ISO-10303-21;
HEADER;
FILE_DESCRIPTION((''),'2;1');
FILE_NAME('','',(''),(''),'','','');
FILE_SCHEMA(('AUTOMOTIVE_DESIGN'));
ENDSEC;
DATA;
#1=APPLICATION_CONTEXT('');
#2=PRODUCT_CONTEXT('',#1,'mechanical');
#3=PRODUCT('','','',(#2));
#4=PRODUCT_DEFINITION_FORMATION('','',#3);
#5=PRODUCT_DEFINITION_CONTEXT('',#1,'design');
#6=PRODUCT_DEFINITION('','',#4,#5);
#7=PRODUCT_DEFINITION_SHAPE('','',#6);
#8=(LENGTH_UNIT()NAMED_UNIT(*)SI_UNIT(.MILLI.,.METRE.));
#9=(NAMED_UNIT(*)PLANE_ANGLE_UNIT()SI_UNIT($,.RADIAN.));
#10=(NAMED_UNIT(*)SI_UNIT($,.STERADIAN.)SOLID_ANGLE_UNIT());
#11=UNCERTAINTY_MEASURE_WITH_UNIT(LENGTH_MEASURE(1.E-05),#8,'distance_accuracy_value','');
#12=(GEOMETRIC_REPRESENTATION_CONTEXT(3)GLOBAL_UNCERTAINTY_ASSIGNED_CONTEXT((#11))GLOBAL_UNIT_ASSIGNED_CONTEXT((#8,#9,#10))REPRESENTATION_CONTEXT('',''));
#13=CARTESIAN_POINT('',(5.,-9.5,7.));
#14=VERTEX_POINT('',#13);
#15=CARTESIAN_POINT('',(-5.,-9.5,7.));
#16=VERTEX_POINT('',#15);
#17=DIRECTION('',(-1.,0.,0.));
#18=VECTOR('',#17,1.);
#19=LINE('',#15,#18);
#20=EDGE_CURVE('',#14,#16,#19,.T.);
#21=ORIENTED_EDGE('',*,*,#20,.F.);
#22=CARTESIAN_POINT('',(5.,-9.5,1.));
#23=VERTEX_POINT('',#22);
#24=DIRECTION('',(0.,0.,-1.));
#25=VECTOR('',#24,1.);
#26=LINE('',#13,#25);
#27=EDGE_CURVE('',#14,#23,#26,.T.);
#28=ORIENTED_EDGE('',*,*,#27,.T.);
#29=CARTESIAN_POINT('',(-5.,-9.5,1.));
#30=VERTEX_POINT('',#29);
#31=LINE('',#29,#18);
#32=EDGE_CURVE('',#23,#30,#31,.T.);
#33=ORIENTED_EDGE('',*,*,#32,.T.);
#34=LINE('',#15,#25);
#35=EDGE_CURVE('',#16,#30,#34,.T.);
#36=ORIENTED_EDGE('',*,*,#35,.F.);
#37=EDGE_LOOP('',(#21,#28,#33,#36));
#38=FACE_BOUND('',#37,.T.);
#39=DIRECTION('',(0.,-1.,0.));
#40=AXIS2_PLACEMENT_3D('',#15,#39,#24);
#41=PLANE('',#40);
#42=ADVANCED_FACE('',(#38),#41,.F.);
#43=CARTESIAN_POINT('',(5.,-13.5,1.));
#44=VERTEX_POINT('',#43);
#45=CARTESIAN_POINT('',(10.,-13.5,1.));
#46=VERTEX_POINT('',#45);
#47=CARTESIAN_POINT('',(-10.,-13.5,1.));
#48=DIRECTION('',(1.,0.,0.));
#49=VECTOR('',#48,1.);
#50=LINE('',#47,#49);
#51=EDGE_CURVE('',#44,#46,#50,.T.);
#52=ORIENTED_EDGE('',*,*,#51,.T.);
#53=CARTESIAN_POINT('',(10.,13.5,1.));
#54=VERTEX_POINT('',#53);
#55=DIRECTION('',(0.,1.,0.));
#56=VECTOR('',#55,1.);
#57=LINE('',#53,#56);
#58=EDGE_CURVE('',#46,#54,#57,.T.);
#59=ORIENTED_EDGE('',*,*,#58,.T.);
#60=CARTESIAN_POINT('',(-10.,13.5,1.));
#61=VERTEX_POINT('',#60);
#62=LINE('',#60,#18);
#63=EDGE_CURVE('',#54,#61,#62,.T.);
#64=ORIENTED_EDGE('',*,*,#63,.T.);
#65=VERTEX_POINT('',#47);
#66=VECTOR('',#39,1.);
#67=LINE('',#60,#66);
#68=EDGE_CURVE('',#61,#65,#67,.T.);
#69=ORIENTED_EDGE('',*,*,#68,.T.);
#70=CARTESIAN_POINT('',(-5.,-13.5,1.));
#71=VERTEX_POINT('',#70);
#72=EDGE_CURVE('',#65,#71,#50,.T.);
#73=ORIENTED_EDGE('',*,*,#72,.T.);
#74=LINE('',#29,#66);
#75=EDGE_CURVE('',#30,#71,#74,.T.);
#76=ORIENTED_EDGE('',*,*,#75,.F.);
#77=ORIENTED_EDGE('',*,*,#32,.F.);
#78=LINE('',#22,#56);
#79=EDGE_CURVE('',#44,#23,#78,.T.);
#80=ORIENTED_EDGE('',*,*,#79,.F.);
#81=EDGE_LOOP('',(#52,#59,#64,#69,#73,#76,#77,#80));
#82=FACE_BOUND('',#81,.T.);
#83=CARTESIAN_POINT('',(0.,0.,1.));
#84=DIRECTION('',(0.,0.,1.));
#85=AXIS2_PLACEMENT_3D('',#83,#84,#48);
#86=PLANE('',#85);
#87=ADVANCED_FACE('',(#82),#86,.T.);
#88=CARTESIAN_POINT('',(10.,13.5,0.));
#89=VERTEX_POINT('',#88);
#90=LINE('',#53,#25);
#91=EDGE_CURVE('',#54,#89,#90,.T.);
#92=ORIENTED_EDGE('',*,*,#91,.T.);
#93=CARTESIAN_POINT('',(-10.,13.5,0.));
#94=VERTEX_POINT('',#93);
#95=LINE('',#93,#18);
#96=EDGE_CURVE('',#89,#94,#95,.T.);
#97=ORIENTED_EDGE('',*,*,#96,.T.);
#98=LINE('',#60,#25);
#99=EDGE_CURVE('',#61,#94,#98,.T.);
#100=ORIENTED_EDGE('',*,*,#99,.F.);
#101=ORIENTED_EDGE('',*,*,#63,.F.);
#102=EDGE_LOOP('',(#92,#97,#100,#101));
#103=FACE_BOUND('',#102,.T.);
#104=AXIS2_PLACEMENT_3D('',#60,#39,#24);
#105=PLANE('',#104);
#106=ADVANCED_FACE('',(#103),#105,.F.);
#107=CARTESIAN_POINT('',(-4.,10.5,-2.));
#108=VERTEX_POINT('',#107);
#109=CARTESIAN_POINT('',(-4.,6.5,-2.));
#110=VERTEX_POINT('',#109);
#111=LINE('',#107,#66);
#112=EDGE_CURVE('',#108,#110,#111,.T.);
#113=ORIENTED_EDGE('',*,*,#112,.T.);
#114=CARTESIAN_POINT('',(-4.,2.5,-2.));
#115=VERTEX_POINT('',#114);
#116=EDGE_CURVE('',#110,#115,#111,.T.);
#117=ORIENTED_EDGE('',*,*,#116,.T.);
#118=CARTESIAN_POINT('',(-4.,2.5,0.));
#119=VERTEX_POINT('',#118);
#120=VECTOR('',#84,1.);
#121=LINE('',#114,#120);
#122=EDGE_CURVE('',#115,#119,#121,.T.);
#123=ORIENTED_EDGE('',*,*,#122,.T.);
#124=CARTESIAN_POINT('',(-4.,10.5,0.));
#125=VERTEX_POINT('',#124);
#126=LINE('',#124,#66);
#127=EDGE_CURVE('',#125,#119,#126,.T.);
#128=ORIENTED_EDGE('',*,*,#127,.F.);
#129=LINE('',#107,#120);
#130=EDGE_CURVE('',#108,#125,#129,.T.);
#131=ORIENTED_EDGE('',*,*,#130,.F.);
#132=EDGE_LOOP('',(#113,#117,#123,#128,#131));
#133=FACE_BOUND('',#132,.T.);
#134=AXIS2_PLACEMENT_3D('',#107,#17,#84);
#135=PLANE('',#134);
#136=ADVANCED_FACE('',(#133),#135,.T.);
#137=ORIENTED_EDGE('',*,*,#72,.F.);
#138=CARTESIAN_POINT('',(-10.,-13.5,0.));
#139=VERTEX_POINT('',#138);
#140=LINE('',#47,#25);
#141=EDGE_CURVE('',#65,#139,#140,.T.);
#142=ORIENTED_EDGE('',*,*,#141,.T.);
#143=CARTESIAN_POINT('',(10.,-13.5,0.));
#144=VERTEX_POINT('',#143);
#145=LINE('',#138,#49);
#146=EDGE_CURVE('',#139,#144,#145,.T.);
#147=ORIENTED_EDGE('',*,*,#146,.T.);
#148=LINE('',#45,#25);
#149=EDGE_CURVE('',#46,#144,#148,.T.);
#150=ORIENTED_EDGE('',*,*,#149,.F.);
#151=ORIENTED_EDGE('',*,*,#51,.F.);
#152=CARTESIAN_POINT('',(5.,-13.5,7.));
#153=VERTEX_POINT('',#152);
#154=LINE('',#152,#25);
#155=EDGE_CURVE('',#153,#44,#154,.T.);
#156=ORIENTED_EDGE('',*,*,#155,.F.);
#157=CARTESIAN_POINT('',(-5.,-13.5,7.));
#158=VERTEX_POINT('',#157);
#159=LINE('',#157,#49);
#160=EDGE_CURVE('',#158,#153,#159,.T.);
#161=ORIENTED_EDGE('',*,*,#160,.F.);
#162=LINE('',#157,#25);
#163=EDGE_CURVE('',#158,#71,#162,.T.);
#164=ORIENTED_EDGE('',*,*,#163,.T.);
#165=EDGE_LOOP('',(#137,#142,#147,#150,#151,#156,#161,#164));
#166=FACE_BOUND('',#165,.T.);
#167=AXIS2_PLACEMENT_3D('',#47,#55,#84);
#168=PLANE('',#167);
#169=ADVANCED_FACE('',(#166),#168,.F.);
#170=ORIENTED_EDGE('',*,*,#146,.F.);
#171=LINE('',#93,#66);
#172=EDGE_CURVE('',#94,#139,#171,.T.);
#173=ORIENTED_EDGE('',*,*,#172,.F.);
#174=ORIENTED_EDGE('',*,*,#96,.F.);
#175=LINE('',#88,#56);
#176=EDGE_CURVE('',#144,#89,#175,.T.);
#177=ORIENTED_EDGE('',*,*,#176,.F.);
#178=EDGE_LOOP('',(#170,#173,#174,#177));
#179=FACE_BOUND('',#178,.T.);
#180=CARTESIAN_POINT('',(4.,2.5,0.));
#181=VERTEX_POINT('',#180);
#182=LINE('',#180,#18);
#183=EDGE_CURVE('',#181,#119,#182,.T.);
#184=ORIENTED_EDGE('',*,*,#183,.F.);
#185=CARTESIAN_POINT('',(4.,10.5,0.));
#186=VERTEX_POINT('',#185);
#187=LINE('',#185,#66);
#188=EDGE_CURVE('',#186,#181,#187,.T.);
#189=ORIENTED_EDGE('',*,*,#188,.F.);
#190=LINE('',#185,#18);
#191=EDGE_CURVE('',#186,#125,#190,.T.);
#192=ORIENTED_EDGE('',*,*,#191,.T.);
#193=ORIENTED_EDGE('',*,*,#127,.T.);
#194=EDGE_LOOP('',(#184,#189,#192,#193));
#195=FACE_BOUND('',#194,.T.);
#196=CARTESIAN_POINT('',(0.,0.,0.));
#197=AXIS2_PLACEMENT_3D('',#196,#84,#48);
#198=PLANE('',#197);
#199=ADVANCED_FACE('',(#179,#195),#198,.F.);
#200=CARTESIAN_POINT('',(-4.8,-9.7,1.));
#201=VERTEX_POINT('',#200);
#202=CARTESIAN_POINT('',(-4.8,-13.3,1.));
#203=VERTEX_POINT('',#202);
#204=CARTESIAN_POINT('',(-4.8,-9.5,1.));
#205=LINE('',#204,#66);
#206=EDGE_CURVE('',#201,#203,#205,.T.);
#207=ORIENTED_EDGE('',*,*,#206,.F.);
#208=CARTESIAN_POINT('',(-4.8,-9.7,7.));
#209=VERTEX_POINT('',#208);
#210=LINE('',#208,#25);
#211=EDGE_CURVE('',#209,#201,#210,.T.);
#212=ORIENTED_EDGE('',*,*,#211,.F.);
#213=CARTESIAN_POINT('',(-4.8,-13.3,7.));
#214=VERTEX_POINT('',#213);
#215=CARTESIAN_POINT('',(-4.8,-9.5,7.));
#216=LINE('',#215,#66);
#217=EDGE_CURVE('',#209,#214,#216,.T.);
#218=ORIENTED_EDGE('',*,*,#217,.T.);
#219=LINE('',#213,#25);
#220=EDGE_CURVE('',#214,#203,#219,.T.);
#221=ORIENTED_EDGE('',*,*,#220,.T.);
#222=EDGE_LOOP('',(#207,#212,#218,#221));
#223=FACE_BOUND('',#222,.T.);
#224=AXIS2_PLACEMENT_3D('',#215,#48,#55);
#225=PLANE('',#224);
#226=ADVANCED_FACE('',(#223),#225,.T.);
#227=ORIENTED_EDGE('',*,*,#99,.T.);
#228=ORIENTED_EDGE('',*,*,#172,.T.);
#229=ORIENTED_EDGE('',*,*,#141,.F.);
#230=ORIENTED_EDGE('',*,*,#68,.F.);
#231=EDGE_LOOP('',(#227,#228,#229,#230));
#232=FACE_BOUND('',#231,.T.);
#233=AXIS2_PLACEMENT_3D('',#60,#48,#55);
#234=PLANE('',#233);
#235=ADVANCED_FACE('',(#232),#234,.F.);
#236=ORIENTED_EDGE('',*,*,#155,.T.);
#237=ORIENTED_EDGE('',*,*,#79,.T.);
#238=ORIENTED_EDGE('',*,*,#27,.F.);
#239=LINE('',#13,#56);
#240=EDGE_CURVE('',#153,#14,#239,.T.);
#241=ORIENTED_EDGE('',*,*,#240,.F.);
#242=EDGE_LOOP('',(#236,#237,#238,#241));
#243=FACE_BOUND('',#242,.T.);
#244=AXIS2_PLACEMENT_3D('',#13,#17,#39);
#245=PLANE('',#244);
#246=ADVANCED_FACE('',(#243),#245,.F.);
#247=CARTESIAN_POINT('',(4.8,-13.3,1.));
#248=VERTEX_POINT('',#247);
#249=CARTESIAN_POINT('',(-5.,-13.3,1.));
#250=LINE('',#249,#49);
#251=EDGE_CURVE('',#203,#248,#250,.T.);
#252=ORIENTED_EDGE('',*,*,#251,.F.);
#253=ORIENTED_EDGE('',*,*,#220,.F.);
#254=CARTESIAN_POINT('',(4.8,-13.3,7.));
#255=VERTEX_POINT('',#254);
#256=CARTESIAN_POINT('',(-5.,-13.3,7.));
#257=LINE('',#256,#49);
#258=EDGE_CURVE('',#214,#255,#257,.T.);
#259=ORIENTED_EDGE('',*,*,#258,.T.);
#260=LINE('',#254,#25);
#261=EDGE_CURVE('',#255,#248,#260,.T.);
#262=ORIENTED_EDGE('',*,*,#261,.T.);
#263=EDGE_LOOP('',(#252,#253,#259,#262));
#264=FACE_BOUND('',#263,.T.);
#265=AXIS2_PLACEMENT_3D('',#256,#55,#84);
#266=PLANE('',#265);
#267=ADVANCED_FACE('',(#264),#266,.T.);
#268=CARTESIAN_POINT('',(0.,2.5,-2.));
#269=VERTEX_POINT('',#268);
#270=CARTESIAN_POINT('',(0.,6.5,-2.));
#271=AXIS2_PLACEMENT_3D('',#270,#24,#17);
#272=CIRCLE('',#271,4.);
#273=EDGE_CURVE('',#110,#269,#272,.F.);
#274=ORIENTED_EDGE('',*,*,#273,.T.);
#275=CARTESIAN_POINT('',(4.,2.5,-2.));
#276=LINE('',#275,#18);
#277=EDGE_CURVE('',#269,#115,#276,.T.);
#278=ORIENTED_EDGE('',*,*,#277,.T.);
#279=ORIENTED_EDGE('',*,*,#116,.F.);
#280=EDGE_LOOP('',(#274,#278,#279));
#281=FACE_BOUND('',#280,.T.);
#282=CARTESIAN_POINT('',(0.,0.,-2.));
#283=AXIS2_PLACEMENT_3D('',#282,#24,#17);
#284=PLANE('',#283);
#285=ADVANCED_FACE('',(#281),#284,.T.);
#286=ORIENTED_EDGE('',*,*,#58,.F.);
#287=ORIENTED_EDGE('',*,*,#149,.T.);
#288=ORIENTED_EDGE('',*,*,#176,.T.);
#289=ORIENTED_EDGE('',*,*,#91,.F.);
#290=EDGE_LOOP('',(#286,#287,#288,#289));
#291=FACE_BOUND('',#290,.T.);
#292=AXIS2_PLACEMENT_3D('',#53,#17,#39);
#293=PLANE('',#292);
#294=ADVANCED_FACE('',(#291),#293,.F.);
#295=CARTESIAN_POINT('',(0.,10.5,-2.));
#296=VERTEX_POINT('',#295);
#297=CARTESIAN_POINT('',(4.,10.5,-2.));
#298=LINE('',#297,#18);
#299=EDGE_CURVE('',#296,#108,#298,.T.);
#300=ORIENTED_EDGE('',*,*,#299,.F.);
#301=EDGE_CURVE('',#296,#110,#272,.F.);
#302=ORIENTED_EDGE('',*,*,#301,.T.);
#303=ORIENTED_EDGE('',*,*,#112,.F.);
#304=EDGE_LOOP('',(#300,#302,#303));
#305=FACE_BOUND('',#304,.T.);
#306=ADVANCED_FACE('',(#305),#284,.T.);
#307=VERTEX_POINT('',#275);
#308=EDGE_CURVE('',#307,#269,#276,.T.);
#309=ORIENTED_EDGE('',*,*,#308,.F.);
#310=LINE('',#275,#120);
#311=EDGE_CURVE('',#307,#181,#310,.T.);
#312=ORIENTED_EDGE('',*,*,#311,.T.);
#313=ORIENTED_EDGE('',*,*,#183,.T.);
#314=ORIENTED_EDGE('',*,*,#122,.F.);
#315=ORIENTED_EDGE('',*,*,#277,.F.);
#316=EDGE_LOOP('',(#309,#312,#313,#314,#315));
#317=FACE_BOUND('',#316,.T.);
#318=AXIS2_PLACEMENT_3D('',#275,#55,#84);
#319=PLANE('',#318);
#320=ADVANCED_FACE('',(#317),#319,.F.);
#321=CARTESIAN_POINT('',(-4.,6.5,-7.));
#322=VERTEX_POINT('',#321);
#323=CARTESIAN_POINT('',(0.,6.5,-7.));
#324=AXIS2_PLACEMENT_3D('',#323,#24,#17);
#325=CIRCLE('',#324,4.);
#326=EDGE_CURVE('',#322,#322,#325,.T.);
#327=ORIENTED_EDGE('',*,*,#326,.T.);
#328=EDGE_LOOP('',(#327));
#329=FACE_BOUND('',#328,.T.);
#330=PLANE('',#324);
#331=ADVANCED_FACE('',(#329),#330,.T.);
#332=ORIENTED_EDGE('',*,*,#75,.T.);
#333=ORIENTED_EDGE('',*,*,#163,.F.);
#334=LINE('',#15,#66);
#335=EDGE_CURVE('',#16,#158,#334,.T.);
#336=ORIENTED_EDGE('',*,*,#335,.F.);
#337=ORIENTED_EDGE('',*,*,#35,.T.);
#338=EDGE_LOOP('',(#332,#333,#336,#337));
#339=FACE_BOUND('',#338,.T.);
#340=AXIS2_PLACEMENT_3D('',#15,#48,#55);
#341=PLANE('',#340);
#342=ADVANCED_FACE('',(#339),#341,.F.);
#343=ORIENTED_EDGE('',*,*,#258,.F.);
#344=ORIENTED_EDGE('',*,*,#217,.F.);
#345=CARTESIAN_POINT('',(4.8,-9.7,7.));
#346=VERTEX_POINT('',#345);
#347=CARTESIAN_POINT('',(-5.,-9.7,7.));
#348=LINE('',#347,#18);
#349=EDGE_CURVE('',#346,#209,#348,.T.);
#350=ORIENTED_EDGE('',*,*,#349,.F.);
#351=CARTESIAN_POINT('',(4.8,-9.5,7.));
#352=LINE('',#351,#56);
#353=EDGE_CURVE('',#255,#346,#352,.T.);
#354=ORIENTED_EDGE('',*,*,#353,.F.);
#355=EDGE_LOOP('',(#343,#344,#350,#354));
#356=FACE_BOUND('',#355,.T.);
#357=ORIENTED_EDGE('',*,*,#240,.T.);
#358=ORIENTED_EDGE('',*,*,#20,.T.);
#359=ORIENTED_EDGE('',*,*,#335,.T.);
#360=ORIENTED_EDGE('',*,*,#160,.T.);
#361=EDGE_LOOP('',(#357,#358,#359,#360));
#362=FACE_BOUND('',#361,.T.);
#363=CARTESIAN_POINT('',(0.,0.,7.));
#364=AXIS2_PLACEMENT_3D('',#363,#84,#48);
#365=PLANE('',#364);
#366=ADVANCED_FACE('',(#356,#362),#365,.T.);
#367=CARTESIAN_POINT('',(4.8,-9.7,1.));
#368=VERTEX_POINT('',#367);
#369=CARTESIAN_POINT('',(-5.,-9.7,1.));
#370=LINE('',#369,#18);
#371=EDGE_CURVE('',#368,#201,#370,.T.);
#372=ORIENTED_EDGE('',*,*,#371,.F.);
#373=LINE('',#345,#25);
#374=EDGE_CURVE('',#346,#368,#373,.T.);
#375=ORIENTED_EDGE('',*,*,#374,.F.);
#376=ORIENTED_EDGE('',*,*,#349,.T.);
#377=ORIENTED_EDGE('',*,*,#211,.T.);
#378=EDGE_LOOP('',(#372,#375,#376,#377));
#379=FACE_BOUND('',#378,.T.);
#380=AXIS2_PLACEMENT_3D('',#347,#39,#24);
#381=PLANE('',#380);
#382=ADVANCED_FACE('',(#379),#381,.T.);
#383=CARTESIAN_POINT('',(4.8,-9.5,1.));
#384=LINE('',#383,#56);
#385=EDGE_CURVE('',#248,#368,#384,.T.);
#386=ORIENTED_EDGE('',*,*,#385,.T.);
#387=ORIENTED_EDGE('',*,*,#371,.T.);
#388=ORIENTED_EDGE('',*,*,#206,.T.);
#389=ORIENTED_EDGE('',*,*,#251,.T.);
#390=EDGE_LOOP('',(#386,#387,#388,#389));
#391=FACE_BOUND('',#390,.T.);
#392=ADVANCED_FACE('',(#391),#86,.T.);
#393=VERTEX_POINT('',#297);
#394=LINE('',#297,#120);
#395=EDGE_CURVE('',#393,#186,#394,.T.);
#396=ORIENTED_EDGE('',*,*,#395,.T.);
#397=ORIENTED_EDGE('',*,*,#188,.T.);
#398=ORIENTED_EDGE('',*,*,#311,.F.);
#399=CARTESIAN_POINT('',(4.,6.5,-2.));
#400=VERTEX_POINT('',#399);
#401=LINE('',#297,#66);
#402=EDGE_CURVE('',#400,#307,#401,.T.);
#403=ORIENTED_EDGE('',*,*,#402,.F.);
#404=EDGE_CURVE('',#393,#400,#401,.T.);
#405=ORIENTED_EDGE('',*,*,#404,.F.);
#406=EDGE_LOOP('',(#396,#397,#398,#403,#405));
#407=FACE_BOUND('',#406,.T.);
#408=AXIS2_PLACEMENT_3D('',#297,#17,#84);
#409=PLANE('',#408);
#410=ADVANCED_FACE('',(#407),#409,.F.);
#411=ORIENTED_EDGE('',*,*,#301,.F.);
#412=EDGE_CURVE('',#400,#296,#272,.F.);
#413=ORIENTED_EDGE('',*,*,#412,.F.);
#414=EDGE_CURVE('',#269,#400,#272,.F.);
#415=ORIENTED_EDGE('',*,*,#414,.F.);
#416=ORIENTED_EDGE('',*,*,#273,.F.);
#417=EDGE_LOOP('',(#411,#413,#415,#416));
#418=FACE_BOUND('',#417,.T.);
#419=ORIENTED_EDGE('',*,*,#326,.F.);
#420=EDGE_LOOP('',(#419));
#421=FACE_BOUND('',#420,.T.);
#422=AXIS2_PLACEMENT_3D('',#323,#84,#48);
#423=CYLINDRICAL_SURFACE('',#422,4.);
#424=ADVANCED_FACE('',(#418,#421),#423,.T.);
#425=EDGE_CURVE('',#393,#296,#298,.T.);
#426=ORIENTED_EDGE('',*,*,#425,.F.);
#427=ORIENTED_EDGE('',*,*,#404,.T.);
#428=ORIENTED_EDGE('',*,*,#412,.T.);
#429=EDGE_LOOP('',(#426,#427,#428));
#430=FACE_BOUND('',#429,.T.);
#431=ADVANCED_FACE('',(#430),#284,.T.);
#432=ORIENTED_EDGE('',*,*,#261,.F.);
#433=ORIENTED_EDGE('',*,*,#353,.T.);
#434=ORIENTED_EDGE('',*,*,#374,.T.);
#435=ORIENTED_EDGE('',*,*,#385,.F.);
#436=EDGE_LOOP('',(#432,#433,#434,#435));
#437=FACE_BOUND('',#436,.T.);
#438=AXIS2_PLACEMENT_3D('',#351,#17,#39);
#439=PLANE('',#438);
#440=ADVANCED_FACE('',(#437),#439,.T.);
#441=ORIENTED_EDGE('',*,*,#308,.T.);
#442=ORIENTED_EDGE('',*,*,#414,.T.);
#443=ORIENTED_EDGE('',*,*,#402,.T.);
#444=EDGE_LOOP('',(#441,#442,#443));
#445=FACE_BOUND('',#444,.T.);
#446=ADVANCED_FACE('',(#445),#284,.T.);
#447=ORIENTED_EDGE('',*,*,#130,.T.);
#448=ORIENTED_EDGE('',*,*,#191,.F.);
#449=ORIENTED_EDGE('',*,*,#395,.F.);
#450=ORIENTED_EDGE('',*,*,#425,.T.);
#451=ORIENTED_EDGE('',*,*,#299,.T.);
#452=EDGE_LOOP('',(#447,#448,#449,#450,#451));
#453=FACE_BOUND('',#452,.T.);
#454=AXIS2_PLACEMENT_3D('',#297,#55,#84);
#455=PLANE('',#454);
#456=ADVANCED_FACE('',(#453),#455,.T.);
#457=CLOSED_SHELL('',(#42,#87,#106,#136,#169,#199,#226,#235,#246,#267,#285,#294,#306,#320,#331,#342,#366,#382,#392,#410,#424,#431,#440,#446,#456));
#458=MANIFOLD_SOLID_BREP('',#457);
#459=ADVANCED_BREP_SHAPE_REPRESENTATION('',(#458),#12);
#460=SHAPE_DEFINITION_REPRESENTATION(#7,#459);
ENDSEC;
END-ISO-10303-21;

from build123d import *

# Parameters (mm, degrees)
SKETCH1_W           = 20
SKETCH1_H           = 27
BOSS_EXTRUDE1_DEPTH = 1
SKETCH2_W           = 8
SKETCH2_H           = 8
BOSS_EXTRUDE2_DEPTH = 2
SKETCH2_3_R         = 4
BOSS_EXTRUDE3_DEPTH = 7
SKETCH3_W           = 10
SKETCH3_H           = 4
SKETCH3_W_2         = 9.6
SKETCH3_H_2         = 3.6
EXTRUDE_THIN1_DEPTH = 6


with BuildPart() as part:
    # Sketch1 → Boss-Extrude1 (new body)
    with BuildSketch(Plane.XY):
        Rectangle(SKETCH1_W, SKETCH1_H)
    extrude(amount=BOSS_EXTRUDE1_DEPTH)

    # Sketch2 → Boss-Extrude2 (add)
    with BuildSketch(Plane(origin=(0, 0, 0), x_dir=(-1, 0, 0), z_dir=(0, 0, -1))):
        with Locations((0, 6.5)):
            Rectangle(SKETCH2_W, SKETCH2_H)
    extrude(amount=BOSS_EXTRUDE2_DEPTH)

    # Sketch2<3> → Boss-Extrude3 (add)
    with BuildSketch(Plane(origin=(0, 0, 0), x_dir=(-1, 0, 0), z_dir=(0, 0, -1))):
        with Locations((0, 6.5)):
            Circle(SKETCH2_3_R)
    extrude(amount=BOSS_EXTRUDE3_DEPTH)

    # Sketch3 → Extrude-Thin1 (add)
    with BuildSketch(Plane.XY.offset(1)):
        with Locations((0, -11.5)):
            Rectangle(SKETCH3_W, SKETCH3_H)
        with Locations((0, -11.5)):
            Rectangle(SKETCH3_W_2, SKETCH3_H_2, mode=Mode.SUBTRACT)
    extrude(amount=EXTRUDE_THIN1_DEPTH)


solid = part.part
